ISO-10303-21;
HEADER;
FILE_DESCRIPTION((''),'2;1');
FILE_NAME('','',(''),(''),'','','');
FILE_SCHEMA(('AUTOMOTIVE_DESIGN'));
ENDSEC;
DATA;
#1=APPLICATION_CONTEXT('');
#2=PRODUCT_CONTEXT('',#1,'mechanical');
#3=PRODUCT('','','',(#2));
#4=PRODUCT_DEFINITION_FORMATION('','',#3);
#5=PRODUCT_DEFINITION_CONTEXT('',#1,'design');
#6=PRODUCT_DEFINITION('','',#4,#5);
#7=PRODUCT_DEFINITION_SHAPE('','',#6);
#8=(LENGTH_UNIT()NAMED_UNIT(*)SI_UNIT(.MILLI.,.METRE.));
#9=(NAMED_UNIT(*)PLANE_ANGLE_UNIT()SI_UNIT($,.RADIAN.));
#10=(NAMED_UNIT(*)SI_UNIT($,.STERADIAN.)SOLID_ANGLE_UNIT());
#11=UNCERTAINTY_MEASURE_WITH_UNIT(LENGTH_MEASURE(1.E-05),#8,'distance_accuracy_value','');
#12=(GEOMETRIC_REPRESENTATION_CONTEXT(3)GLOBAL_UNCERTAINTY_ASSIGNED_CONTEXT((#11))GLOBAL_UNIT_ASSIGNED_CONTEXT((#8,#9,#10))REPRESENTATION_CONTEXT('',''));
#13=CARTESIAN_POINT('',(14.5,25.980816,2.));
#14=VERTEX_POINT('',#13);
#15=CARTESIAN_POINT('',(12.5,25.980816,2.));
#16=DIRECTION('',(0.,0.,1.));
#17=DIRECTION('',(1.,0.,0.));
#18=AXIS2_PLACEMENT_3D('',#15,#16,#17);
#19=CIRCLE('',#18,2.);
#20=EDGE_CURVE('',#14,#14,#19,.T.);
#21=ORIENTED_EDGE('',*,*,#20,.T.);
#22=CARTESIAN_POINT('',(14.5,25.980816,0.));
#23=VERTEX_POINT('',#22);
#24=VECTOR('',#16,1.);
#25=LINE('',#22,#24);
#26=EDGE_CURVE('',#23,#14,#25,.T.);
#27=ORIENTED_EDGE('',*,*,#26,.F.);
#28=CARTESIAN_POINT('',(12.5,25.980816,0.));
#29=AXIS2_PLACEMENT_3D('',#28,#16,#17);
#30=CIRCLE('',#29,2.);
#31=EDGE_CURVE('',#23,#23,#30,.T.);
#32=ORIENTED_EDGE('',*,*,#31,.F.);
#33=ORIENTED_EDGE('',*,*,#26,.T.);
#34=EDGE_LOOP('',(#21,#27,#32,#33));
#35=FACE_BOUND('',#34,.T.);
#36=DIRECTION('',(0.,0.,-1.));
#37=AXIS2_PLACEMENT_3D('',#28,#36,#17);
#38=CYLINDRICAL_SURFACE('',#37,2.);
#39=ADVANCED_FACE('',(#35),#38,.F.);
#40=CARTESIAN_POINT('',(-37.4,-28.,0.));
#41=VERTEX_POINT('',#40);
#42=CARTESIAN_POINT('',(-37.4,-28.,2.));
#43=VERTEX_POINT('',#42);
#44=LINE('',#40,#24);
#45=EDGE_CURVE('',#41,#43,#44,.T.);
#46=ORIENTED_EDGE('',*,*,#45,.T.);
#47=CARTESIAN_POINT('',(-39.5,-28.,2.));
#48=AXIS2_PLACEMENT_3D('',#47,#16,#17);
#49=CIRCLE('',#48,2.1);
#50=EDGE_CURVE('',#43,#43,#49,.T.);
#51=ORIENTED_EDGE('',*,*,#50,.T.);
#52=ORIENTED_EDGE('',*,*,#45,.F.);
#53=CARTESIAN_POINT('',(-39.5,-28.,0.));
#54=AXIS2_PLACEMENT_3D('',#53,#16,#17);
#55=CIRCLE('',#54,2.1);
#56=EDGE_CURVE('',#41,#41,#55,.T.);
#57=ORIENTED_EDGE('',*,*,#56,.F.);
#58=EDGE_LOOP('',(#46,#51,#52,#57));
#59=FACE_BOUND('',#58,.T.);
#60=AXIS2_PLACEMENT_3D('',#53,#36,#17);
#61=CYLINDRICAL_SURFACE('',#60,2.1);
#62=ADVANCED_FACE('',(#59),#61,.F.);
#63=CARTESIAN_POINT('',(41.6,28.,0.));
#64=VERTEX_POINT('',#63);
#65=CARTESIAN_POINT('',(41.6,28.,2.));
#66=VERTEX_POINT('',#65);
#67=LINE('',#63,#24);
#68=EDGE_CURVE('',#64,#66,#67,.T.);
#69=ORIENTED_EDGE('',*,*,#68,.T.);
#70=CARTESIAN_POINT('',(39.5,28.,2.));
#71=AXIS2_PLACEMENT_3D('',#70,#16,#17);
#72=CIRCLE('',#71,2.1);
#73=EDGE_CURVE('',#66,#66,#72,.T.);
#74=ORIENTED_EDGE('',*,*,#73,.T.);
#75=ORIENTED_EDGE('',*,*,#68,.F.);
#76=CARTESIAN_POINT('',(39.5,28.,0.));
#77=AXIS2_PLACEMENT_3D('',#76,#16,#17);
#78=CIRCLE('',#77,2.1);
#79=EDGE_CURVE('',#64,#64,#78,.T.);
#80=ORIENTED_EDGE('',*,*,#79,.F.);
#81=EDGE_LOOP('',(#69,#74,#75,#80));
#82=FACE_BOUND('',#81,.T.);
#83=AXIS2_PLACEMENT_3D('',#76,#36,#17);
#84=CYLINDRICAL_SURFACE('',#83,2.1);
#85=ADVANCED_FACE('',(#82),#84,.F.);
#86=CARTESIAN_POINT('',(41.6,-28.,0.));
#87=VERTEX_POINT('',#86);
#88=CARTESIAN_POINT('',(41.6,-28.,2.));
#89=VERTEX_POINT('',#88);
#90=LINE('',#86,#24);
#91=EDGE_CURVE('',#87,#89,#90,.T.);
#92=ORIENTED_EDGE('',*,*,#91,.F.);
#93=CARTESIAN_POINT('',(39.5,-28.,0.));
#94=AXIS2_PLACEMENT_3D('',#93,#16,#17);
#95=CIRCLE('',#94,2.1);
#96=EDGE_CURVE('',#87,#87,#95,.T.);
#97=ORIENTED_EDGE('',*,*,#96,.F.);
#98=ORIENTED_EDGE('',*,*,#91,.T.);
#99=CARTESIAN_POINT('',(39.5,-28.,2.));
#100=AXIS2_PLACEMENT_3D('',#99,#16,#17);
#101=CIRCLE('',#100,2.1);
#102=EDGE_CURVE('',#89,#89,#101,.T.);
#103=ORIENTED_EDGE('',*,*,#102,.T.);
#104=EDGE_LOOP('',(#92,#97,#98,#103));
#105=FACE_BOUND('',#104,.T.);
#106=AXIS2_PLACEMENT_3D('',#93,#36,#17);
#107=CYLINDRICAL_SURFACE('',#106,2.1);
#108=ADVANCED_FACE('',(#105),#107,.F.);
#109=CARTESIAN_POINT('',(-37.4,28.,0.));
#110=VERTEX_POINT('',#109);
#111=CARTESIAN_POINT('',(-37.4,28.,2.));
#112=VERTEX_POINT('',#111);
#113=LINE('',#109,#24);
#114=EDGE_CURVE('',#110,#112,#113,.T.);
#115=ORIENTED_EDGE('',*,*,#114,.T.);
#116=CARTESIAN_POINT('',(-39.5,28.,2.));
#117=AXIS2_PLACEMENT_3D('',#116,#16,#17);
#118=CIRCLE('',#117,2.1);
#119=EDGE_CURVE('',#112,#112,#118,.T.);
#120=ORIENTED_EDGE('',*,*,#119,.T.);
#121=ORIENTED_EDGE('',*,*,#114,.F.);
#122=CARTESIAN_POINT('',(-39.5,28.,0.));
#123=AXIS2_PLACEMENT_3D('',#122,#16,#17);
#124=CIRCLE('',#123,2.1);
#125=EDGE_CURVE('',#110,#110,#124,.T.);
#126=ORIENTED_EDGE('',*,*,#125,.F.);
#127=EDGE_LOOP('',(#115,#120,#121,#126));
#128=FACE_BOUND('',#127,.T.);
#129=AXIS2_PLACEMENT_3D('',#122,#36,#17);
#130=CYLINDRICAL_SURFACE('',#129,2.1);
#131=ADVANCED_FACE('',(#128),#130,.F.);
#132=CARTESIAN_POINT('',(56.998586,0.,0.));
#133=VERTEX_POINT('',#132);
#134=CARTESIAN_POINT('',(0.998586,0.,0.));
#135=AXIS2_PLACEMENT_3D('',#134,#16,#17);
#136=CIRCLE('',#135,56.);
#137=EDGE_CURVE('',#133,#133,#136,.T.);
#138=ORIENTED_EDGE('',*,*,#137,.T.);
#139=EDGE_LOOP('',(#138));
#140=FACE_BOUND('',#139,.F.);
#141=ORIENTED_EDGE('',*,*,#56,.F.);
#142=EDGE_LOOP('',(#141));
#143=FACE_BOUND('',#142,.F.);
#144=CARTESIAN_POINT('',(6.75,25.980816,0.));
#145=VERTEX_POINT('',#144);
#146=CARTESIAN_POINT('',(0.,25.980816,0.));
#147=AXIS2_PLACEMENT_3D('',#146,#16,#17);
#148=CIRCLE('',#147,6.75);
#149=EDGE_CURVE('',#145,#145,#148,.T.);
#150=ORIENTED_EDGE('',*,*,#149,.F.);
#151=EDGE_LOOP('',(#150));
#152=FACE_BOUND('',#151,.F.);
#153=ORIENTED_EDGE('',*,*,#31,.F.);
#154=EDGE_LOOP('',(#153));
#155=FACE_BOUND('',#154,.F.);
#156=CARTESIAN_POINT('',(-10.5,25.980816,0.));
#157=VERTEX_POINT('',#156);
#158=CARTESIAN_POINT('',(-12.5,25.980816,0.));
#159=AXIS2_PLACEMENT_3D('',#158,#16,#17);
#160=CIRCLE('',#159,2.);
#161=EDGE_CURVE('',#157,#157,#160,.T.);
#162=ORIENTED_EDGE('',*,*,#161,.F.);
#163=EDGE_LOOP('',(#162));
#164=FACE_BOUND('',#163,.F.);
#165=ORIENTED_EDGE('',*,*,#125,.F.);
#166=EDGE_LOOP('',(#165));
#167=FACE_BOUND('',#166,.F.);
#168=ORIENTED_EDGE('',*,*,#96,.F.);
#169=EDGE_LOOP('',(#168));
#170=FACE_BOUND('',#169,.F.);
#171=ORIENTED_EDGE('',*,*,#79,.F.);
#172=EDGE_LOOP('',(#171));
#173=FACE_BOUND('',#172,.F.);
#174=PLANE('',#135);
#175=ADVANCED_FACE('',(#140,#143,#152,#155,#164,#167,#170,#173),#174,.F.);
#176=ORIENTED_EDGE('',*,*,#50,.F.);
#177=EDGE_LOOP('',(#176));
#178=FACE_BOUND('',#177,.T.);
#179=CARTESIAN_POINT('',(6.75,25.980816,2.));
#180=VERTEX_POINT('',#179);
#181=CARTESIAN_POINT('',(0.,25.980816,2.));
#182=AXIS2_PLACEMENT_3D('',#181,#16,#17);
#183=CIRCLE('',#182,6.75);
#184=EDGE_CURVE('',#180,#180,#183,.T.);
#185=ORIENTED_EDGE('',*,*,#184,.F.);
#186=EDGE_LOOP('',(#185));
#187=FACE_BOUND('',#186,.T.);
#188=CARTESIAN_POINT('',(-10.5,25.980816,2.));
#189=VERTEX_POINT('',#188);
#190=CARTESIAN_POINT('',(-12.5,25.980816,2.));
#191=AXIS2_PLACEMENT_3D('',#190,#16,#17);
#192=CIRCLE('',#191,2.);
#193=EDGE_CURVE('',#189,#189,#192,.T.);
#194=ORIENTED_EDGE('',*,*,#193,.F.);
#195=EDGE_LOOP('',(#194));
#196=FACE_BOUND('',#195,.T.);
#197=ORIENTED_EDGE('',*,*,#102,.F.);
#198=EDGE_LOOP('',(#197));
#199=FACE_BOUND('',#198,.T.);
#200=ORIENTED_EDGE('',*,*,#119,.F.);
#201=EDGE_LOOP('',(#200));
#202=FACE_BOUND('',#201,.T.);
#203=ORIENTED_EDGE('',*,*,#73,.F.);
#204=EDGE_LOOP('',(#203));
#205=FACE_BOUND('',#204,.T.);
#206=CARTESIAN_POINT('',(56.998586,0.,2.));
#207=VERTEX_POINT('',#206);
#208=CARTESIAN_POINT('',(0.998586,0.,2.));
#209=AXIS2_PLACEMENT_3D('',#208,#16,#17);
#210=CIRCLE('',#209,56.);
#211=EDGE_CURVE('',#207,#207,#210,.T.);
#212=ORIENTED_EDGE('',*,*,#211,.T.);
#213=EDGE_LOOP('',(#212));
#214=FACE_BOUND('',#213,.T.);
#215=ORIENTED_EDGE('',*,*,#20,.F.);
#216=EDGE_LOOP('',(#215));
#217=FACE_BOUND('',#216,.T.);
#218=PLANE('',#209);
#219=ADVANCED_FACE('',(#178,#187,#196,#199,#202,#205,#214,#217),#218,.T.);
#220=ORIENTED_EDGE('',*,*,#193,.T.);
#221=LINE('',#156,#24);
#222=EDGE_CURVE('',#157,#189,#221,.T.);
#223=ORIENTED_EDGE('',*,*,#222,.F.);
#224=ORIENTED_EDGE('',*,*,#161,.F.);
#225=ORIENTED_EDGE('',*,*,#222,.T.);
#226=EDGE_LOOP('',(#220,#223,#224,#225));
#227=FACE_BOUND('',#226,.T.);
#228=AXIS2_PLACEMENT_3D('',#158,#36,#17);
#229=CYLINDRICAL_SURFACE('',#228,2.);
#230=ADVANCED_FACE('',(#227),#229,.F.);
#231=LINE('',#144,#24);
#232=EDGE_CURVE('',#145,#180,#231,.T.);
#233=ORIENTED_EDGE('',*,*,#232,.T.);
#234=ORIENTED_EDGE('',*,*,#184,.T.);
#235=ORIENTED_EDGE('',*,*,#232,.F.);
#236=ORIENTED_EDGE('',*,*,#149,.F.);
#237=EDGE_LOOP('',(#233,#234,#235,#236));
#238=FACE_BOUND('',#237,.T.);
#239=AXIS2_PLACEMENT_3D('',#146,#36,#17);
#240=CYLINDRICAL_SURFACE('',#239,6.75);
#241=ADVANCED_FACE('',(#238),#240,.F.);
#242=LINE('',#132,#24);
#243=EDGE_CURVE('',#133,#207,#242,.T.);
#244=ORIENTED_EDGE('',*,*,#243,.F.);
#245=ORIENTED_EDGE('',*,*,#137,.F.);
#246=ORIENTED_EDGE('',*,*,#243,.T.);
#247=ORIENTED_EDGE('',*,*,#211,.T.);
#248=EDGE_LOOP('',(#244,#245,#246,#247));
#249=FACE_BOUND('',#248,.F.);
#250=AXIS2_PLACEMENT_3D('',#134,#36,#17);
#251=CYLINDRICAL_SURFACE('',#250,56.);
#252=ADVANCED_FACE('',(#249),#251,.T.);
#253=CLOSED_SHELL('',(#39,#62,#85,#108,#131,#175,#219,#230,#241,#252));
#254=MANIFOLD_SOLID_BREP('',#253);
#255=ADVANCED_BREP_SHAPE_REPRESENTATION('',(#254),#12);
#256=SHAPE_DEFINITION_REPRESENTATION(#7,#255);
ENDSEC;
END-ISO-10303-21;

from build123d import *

# Parameters (mm, degrees)
F0_R     = 56
F0_R_2   = 2.1
F0_R_3   = 2
F0_R_4   = 6.75
F1_DEPTH = 2


with BuildPart() as f1:
    # F0 (on Top) → F1 (new body)
    with BuildSketch(Plane.XY):
        with Locations((0.998586, 0)):
            Circle(F0_R)
        with Locations((-39.5, -28)):
            Circle(F0_R_2, mode=Mode.SUBTRACT)
        with Locations((39.5, -28)):
            Circle(F0_R_2, mode=Mode.SUBTRACT)
        with Locations((-12.5, 25.980816)):
            Circle(F0_R_3, mode=Mode.SUBTRACT)
        with Locations((0, 25.980816)):
            Circle(F0_R_4, mode=Mode.SUBTRACT)
        with Locations((-39.5, 28)):
            Circle(F0_R_2, mode=Mode.SUBTRACT)
        with Locations((12.5, 25.980816)):
            Circle(F0_R_3, mode=Mode.SUBTRACT)
        with Locations((39.5, 28)):
            Circle(F0_R_2, mode=Mode.SUBTRACT)
    extrude(amount=F1_DEPTH)


solid = f1.part
